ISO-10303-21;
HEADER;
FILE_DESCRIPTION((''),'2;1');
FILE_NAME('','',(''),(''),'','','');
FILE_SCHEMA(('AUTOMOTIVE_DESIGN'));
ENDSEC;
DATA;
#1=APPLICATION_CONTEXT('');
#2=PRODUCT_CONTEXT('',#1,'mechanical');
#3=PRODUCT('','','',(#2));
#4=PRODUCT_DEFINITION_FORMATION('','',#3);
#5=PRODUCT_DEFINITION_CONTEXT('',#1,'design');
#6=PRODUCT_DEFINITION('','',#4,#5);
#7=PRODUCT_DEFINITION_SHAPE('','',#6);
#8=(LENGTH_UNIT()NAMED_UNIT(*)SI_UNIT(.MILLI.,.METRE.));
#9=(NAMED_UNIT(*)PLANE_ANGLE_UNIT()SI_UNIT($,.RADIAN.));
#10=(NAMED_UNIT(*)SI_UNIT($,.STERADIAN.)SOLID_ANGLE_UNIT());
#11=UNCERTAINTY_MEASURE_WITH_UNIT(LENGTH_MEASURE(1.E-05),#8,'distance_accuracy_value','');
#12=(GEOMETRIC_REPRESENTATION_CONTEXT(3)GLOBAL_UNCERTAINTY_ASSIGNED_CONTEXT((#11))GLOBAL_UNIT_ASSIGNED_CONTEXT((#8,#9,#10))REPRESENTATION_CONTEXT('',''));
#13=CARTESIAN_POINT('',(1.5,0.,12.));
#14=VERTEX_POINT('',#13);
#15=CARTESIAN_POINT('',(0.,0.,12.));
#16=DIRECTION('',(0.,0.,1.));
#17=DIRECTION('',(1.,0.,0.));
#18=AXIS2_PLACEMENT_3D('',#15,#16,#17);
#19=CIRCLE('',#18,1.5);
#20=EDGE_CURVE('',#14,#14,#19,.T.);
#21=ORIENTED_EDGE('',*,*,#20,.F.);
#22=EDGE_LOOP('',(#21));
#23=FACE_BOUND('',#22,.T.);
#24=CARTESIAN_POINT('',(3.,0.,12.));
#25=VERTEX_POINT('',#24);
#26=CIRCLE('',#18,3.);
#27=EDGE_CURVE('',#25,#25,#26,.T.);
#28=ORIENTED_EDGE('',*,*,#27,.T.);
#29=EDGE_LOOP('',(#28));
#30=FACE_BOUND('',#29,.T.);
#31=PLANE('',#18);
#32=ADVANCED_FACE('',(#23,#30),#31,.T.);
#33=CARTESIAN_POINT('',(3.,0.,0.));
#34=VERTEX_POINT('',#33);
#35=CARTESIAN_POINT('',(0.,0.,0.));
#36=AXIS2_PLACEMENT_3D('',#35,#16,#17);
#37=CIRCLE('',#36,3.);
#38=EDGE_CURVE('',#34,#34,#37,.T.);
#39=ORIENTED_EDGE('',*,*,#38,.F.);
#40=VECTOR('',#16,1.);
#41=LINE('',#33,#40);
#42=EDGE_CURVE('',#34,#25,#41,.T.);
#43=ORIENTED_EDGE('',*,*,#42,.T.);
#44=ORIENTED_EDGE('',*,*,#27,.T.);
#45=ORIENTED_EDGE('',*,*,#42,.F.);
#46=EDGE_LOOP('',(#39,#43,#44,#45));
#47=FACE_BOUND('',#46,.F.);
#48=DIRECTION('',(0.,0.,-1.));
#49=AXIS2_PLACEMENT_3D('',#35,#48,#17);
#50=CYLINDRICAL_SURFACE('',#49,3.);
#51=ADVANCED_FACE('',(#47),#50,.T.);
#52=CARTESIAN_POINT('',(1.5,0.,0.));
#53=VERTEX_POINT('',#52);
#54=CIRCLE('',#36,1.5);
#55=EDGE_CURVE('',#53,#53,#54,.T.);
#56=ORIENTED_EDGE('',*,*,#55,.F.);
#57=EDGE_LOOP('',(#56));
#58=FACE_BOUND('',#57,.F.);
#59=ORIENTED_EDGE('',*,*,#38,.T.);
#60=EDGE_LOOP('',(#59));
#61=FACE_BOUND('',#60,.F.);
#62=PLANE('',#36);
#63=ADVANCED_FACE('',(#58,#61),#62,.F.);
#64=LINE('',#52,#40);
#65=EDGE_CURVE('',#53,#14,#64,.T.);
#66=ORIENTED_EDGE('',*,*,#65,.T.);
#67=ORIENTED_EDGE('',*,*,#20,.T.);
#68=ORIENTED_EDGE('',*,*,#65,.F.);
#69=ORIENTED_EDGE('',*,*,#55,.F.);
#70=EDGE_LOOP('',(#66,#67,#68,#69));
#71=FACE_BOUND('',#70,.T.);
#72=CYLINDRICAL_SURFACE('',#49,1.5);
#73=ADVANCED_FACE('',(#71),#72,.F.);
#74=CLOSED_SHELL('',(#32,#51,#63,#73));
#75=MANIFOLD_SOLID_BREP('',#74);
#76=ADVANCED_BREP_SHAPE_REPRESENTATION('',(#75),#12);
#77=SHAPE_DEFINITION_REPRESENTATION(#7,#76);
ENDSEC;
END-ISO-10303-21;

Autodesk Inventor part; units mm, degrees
ref_plane "YZ Plane" through (0, 0, 0) normal (1, 0, 0) x (0, 1, 0)
ref_plane "XZ Plane" through (0, 0, 0) normal (0, 1, 0) x (-1, 0, 0)
ref_plane "XY Plane" through (0, 0, 0) normal (0, 0, 1) x (1, 0, 0)
sketch "スケッチ1" plane through (0, 0, 0) normal (0, 0, 1) x (1, 0, 0)
  circle A0 centre (0, 0) radius 3
  circle A1 centre (0, 0) radius 1.5
  dimension "d0" = 6
  dimension "d1" = 3
extrude "押し出し1" add sketch "スケッチ1" along normal blind 12
properties part number "スペーサーm3.12" material "アルミニウム 7075"
